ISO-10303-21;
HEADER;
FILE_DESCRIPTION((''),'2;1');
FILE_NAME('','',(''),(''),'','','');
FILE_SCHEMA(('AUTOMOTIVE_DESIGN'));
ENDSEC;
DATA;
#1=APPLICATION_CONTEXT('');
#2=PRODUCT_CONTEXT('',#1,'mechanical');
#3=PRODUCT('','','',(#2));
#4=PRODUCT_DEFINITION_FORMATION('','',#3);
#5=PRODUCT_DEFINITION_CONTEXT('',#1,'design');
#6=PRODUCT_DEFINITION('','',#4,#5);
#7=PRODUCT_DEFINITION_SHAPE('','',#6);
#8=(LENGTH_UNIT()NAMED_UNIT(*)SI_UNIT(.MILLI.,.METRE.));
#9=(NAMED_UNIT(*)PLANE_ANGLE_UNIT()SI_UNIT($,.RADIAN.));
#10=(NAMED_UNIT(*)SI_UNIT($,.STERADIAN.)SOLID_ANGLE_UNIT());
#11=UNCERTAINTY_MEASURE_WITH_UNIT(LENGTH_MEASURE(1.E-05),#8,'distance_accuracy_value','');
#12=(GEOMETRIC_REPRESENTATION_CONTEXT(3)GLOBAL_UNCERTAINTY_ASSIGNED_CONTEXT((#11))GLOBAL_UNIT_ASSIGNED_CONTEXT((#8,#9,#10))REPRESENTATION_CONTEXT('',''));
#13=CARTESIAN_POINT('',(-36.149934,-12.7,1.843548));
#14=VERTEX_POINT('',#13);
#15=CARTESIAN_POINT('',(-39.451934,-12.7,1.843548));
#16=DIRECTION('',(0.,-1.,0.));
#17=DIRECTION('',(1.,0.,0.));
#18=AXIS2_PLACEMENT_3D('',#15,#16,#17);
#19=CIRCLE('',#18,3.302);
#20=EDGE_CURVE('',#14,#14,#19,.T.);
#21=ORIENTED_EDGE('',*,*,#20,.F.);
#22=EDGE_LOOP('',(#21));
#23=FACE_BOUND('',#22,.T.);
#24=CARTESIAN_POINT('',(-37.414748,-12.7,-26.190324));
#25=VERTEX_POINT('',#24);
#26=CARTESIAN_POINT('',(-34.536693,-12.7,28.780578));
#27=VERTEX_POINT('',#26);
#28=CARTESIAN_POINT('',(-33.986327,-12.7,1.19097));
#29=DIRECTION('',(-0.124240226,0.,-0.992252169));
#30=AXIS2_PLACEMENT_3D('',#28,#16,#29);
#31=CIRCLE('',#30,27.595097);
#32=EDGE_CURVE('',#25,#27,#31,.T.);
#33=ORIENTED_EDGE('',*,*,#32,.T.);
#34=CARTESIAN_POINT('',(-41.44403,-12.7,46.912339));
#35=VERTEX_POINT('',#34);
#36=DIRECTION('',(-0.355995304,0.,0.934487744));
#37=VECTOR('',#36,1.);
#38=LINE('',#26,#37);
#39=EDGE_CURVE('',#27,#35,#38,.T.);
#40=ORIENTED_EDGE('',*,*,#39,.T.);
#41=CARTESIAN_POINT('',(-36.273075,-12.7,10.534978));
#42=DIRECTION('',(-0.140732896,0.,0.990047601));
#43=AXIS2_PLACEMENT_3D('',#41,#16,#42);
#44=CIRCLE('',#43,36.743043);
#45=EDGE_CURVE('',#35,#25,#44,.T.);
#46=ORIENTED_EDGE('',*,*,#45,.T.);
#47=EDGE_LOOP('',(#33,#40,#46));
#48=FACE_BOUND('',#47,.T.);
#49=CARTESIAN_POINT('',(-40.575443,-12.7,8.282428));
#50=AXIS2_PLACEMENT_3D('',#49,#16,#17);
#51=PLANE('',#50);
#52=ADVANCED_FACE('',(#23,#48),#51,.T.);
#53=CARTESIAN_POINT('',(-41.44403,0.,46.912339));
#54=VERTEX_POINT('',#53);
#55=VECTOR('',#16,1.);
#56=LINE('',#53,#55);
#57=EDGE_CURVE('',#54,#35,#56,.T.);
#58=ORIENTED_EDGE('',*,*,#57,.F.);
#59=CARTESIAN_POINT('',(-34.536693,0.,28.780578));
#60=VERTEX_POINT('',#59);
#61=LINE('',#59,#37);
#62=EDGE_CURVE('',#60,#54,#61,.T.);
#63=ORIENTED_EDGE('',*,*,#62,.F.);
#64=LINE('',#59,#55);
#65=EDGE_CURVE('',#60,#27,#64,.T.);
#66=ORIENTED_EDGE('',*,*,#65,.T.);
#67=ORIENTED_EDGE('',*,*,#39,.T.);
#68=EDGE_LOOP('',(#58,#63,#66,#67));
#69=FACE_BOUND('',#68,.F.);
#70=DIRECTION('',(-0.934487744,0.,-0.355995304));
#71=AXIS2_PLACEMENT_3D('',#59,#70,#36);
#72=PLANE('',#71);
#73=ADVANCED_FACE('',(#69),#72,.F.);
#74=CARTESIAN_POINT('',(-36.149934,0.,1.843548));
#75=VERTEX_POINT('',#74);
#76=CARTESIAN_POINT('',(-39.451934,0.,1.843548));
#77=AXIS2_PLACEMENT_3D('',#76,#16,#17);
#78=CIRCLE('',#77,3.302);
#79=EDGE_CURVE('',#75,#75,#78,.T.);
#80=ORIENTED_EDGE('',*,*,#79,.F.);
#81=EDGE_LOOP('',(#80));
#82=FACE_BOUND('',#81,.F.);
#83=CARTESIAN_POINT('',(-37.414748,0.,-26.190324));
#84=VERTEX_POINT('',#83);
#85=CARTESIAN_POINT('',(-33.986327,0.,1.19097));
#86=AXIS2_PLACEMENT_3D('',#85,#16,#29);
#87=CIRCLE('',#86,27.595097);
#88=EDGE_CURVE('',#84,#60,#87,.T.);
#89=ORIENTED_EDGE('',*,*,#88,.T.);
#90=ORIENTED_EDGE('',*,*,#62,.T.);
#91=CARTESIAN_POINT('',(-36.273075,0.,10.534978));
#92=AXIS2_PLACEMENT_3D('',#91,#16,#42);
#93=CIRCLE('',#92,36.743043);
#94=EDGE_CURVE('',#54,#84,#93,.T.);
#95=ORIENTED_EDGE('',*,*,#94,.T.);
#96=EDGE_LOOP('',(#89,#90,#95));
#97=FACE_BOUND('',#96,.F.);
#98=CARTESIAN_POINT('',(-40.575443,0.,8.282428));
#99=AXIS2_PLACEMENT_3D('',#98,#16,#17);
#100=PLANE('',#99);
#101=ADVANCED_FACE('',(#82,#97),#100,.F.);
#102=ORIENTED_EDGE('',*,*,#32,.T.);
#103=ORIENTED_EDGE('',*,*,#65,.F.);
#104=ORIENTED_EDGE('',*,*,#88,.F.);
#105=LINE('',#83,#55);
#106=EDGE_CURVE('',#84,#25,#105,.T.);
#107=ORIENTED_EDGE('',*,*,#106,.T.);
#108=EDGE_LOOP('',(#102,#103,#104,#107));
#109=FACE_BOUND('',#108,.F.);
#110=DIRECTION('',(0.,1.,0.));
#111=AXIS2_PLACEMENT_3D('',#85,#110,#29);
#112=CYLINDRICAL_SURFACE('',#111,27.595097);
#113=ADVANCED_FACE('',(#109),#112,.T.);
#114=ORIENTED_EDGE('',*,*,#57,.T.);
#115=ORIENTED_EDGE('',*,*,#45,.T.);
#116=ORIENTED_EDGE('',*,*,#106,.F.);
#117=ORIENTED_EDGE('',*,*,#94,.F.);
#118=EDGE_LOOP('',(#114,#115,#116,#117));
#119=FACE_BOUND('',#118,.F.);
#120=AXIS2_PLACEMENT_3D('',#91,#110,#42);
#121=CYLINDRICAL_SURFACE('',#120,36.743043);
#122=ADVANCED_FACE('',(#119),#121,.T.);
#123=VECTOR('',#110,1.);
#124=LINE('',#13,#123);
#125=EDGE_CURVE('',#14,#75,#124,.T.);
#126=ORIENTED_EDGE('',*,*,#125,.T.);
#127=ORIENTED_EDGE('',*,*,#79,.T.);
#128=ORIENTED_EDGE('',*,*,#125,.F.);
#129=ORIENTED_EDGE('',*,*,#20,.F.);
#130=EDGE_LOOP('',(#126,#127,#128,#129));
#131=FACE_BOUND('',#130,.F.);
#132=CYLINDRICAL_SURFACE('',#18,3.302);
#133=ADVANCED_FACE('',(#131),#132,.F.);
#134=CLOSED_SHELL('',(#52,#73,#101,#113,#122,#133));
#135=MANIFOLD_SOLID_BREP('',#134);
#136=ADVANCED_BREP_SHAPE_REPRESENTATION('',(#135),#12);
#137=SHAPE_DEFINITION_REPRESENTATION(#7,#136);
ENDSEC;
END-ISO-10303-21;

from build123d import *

# Parameters (mm, degrees)
F1_DEPTH = 12.7
F2_R     = 3.302
F3_DEPTH = 25.4


with BuildPart() as f1:
    # F0 (on Front) → F1 (new body)
    with BuildSketch(Plane.XZ):
        with BuildLine():
            Line((-34.536693, 28.780578), (-41.44403, 46.912339))
            ThreePointArc((-41.44403, 46.912339), (-72.960432, 8.512839), (-37.414748, -26.190324))
            ThreePointArc((-37.414748, -26.190324), (-6.428974, -0.251822), (-34.536693, 28.780578))
        make_face()
    extrude(amount=F1_DEPTH)

    # F2 (on face) → F3 (cut)
    with BuildSketch(Plane.XZ.offset(12.7)):
        with Locations((-39.451934, 1.843548)):
            Circle(F2_R)
    extrude(amount=-F3_DEPTH, mode=Mode.SUBTRACT)


solid = f1.part
